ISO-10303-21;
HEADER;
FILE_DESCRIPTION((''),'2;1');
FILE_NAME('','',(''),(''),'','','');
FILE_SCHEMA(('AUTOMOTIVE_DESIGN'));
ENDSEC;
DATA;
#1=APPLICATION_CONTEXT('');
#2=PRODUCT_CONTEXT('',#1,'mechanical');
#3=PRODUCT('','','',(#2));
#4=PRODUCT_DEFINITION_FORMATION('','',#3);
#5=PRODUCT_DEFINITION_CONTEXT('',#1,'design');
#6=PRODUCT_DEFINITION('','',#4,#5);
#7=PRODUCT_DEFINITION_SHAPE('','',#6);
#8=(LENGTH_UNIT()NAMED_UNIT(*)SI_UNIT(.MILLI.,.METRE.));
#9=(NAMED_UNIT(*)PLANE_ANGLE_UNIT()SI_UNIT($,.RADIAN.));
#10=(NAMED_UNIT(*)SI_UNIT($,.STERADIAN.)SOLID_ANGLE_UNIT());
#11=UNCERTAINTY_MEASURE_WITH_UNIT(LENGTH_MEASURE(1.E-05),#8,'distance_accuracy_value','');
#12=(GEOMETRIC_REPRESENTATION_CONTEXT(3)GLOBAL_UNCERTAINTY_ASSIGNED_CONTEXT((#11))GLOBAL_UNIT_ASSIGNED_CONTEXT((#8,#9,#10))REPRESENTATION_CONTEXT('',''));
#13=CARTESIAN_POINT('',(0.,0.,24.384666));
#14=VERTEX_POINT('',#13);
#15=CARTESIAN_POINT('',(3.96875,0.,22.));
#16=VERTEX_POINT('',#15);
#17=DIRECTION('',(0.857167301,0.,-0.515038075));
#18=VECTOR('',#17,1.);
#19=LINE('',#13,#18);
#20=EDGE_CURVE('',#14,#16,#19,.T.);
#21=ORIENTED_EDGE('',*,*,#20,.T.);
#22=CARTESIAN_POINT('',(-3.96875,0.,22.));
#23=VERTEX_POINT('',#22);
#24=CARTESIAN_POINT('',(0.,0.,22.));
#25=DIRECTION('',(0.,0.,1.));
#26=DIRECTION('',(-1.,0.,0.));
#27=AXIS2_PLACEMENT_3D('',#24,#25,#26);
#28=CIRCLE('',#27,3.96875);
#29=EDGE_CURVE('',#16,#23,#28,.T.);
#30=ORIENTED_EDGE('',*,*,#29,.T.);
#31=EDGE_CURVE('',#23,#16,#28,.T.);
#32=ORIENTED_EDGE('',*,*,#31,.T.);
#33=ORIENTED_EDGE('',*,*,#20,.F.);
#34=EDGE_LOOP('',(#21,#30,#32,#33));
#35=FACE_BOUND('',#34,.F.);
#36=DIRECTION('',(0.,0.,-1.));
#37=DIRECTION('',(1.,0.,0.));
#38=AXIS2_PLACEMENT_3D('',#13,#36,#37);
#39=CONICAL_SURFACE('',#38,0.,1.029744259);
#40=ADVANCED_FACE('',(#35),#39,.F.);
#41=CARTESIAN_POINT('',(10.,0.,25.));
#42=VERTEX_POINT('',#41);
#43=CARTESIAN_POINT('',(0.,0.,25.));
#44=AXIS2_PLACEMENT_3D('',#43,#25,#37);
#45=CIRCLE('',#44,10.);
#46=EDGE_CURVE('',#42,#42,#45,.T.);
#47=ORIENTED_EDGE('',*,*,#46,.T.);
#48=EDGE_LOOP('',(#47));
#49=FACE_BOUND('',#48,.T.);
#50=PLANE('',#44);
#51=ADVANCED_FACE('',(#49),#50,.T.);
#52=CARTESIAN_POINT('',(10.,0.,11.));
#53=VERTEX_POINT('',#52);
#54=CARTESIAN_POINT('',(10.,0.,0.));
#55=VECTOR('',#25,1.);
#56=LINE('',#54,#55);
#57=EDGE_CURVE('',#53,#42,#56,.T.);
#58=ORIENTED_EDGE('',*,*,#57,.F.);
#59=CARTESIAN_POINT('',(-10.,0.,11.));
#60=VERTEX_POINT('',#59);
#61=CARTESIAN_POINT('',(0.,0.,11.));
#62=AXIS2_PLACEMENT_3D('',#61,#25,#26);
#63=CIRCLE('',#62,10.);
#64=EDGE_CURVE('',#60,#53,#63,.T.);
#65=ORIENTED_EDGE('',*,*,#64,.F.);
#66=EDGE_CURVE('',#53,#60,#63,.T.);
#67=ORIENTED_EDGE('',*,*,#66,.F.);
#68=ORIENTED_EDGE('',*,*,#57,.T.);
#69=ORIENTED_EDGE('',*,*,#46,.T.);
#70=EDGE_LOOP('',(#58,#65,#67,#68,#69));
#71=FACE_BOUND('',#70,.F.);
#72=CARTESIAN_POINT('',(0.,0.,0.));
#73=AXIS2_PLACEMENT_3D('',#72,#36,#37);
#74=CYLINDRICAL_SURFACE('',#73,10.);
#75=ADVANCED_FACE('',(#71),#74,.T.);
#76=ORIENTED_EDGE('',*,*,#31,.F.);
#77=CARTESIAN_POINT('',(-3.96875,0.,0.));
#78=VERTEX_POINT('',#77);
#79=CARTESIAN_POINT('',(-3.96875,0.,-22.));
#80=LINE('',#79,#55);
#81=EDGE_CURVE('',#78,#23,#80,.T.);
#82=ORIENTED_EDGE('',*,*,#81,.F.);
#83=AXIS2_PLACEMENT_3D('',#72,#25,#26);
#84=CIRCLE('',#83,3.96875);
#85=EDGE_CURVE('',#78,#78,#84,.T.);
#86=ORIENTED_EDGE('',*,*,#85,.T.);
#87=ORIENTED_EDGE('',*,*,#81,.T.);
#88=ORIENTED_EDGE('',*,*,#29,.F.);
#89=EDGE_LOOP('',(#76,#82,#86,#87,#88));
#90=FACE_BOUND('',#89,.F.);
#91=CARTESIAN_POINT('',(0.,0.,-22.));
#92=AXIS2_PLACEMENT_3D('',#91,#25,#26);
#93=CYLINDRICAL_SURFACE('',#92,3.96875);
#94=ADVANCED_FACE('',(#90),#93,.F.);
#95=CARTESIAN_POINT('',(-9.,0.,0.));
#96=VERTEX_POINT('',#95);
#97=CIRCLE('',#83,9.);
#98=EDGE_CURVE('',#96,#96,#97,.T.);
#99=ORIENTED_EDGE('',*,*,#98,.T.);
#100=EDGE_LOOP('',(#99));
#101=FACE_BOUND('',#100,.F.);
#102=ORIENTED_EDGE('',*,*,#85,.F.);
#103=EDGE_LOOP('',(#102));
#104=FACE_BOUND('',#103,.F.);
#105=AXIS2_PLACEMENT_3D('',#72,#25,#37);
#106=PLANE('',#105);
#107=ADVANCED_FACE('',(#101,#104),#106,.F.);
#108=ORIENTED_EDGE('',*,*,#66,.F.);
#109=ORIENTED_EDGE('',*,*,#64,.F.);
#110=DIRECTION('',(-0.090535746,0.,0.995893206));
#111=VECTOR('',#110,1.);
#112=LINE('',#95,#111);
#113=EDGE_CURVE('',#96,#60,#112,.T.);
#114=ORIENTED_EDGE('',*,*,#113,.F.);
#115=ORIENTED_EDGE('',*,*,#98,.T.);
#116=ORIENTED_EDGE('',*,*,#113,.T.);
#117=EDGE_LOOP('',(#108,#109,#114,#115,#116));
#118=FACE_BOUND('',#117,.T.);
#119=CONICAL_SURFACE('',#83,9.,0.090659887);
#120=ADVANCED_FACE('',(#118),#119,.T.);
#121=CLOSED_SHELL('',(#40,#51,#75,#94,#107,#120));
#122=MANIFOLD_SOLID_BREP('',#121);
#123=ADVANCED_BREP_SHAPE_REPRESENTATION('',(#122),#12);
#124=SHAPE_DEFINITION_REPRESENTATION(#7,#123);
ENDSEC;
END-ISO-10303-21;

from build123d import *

# Parameters (mm, degrees)
F0_R     = 10
F1_DEPTH = 25
F2_D     = 7.9375
F2_DEPTH = 22
F2_TIP   = 2.3846655818


with BuildPart() as f1:
    # F0 (on Top) → F1 (new body)
    with BuildSketch(Plane.XY):
        Circle(F0_R)
    extrude(amount=F1_DEPTH)

    # F2
    with Locations(Plane(origin=(0, 0, 0), x_dir=(1, 0, 0), z_dir=(0, 0, -1))):
        with Locations((0, 0)):
            Hole(F2_D / 2, depth=F2_DEPTH)
            with Locations((0, 0, -(F2_DEPTH + F2_TIP / 2))):  # 118° drill point
                Cone(0, F2_D / 2, F2_TIP, mode=Mode.SUBTRACT)

    # F3 (on Front) → F4 (revolve, cut)
    with BuildSketch(Plane.XZ):
        Polygon((-10, 11), (-10, 0), (-9, 0), align=None)
    revolve(axis=Axis((0, 0, 5.5), (0, 0, 1)), mode=Mode.SUBTRACT)


solid = f1.part
